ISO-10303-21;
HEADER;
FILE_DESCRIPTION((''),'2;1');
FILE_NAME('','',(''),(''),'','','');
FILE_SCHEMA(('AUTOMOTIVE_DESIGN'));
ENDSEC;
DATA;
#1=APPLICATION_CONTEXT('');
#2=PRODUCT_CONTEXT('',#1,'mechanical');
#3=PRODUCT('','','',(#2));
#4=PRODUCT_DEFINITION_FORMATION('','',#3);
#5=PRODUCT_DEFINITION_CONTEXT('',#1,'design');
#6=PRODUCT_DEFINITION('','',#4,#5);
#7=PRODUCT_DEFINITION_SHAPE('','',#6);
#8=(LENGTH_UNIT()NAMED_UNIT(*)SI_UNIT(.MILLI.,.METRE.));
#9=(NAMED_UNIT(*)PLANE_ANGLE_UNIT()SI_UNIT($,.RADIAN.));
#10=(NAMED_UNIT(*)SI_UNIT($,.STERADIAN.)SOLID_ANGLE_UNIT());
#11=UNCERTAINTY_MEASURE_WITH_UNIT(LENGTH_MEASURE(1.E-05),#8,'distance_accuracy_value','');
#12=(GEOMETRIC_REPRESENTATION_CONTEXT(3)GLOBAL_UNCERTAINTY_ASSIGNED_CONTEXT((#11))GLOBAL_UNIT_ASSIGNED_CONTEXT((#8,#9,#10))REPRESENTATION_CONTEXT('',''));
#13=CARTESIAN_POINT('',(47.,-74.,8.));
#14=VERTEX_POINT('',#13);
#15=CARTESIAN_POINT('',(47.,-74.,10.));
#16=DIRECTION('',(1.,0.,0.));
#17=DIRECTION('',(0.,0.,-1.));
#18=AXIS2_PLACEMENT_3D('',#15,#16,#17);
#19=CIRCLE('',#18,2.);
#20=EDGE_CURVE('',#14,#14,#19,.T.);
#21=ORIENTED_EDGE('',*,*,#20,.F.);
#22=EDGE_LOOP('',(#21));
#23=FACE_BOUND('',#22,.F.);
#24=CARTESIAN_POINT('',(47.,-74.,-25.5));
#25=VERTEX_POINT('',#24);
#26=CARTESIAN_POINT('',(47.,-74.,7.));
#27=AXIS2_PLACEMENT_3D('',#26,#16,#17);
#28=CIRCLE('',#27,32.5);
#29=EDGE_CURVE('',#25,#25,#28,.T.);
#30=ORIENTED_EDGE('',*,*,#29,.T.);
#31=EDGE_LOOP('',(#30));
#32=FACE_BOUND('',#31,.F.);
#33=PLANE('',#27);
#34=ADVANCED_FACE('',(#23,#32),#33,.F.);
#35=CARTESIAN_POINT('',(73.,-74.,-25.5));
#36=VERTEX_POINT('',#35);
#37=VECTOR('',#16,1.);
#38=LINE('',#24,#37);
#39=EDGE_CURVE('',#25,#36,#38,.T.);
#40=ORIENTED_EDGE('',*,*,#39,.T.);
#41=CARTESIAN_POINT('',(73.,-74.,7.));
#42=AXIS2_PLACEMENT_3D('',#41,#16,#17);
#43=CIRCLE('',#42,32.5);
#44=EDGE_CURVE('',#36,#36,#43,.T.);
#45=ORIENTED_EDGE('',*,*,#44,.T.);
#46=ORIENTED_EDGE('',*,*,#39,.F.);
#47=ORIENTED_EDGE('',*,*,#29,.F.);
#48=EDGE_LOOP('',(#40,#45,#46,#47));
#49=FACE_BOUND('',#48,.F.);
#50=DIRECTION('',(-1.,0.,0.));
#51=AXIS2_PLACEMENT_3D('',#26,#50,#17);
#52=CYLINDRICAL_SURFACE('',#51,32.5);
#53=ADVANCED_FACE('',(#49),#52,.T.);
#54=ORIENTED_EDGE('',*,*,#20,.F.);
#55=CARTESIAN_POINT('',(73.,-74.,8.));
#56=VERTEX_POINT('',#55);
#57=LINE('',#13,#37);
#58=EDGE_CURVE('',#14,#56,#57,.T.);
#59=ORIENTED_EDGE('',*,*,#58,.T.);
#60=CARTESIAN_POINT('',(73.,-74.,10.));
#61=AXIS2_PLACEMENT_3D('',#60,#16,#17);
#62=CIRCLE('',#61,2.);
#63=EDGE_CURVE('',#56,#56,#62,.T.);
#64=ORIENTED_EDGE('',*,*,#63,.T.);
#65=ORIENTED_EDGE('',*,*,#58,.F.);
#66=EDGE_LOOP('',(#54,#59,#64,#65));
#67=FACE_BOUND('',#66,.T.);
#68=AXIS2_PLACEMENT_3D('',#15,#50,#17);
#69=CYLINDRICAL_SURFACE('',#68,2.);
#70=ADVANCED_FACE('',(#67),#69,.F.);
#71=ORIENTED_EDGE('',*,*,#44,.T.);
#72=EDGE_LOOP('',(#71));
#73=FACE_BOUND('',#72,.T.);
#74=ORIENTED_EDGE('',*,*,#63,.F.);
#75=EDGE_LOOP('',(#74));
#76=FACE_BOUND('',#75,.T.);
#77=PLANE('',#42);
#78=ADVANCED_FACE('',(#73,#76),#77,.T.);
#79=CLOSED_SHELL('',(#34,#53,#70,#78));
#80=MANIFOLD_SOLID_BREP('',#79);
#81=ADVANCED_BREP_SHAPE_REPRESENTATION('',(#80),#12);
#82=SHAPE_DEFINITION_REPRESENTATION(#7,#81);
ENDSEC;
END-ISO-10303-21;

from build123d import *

# Parameters (mm, degrees)
CYLINDER270_R          = 2
CYLINDER270_DEPTH      = 26
CYLINDER269_R          = 32.5
CYLINDER269_DEPTH      = 26
CUT249_PLACEMENT_ANGLE = 90


with BuildPart() as cylinder270:
    # Cylinder270 → Cylinder270 (new body)
    with BuildSketch(Plane.XY):
        Circle(CYLINDER270_R)
    extrude(amount=CYLINDER270_DEPTH)


with BuildPart() as cut249:
    # Cylinder269 → Cylinder269 (new body)
    with BuildSketch(Plane(origin=(3, 0, 0), x_dir=(1, 0, 0), z_dir=(0, 0, 1))):
        Circle(CYLINDER269_R)
    extrude(amount=CYLINDER269_DEPTH)

    # Cut249: cut Cylinder270
    add(cylinder270.part, mode=Mode.SUBTRACT)


with BuildPart() as cut249_1:
    # Cut249 placement: moved
    add(cut249.part.moved(Location((47, -74, 10))).rotate(Axis((47, -74, 10), (0, 1, 0)), CUT249_PLACEMENT_ANGLE))


solid = cut249_1.part
